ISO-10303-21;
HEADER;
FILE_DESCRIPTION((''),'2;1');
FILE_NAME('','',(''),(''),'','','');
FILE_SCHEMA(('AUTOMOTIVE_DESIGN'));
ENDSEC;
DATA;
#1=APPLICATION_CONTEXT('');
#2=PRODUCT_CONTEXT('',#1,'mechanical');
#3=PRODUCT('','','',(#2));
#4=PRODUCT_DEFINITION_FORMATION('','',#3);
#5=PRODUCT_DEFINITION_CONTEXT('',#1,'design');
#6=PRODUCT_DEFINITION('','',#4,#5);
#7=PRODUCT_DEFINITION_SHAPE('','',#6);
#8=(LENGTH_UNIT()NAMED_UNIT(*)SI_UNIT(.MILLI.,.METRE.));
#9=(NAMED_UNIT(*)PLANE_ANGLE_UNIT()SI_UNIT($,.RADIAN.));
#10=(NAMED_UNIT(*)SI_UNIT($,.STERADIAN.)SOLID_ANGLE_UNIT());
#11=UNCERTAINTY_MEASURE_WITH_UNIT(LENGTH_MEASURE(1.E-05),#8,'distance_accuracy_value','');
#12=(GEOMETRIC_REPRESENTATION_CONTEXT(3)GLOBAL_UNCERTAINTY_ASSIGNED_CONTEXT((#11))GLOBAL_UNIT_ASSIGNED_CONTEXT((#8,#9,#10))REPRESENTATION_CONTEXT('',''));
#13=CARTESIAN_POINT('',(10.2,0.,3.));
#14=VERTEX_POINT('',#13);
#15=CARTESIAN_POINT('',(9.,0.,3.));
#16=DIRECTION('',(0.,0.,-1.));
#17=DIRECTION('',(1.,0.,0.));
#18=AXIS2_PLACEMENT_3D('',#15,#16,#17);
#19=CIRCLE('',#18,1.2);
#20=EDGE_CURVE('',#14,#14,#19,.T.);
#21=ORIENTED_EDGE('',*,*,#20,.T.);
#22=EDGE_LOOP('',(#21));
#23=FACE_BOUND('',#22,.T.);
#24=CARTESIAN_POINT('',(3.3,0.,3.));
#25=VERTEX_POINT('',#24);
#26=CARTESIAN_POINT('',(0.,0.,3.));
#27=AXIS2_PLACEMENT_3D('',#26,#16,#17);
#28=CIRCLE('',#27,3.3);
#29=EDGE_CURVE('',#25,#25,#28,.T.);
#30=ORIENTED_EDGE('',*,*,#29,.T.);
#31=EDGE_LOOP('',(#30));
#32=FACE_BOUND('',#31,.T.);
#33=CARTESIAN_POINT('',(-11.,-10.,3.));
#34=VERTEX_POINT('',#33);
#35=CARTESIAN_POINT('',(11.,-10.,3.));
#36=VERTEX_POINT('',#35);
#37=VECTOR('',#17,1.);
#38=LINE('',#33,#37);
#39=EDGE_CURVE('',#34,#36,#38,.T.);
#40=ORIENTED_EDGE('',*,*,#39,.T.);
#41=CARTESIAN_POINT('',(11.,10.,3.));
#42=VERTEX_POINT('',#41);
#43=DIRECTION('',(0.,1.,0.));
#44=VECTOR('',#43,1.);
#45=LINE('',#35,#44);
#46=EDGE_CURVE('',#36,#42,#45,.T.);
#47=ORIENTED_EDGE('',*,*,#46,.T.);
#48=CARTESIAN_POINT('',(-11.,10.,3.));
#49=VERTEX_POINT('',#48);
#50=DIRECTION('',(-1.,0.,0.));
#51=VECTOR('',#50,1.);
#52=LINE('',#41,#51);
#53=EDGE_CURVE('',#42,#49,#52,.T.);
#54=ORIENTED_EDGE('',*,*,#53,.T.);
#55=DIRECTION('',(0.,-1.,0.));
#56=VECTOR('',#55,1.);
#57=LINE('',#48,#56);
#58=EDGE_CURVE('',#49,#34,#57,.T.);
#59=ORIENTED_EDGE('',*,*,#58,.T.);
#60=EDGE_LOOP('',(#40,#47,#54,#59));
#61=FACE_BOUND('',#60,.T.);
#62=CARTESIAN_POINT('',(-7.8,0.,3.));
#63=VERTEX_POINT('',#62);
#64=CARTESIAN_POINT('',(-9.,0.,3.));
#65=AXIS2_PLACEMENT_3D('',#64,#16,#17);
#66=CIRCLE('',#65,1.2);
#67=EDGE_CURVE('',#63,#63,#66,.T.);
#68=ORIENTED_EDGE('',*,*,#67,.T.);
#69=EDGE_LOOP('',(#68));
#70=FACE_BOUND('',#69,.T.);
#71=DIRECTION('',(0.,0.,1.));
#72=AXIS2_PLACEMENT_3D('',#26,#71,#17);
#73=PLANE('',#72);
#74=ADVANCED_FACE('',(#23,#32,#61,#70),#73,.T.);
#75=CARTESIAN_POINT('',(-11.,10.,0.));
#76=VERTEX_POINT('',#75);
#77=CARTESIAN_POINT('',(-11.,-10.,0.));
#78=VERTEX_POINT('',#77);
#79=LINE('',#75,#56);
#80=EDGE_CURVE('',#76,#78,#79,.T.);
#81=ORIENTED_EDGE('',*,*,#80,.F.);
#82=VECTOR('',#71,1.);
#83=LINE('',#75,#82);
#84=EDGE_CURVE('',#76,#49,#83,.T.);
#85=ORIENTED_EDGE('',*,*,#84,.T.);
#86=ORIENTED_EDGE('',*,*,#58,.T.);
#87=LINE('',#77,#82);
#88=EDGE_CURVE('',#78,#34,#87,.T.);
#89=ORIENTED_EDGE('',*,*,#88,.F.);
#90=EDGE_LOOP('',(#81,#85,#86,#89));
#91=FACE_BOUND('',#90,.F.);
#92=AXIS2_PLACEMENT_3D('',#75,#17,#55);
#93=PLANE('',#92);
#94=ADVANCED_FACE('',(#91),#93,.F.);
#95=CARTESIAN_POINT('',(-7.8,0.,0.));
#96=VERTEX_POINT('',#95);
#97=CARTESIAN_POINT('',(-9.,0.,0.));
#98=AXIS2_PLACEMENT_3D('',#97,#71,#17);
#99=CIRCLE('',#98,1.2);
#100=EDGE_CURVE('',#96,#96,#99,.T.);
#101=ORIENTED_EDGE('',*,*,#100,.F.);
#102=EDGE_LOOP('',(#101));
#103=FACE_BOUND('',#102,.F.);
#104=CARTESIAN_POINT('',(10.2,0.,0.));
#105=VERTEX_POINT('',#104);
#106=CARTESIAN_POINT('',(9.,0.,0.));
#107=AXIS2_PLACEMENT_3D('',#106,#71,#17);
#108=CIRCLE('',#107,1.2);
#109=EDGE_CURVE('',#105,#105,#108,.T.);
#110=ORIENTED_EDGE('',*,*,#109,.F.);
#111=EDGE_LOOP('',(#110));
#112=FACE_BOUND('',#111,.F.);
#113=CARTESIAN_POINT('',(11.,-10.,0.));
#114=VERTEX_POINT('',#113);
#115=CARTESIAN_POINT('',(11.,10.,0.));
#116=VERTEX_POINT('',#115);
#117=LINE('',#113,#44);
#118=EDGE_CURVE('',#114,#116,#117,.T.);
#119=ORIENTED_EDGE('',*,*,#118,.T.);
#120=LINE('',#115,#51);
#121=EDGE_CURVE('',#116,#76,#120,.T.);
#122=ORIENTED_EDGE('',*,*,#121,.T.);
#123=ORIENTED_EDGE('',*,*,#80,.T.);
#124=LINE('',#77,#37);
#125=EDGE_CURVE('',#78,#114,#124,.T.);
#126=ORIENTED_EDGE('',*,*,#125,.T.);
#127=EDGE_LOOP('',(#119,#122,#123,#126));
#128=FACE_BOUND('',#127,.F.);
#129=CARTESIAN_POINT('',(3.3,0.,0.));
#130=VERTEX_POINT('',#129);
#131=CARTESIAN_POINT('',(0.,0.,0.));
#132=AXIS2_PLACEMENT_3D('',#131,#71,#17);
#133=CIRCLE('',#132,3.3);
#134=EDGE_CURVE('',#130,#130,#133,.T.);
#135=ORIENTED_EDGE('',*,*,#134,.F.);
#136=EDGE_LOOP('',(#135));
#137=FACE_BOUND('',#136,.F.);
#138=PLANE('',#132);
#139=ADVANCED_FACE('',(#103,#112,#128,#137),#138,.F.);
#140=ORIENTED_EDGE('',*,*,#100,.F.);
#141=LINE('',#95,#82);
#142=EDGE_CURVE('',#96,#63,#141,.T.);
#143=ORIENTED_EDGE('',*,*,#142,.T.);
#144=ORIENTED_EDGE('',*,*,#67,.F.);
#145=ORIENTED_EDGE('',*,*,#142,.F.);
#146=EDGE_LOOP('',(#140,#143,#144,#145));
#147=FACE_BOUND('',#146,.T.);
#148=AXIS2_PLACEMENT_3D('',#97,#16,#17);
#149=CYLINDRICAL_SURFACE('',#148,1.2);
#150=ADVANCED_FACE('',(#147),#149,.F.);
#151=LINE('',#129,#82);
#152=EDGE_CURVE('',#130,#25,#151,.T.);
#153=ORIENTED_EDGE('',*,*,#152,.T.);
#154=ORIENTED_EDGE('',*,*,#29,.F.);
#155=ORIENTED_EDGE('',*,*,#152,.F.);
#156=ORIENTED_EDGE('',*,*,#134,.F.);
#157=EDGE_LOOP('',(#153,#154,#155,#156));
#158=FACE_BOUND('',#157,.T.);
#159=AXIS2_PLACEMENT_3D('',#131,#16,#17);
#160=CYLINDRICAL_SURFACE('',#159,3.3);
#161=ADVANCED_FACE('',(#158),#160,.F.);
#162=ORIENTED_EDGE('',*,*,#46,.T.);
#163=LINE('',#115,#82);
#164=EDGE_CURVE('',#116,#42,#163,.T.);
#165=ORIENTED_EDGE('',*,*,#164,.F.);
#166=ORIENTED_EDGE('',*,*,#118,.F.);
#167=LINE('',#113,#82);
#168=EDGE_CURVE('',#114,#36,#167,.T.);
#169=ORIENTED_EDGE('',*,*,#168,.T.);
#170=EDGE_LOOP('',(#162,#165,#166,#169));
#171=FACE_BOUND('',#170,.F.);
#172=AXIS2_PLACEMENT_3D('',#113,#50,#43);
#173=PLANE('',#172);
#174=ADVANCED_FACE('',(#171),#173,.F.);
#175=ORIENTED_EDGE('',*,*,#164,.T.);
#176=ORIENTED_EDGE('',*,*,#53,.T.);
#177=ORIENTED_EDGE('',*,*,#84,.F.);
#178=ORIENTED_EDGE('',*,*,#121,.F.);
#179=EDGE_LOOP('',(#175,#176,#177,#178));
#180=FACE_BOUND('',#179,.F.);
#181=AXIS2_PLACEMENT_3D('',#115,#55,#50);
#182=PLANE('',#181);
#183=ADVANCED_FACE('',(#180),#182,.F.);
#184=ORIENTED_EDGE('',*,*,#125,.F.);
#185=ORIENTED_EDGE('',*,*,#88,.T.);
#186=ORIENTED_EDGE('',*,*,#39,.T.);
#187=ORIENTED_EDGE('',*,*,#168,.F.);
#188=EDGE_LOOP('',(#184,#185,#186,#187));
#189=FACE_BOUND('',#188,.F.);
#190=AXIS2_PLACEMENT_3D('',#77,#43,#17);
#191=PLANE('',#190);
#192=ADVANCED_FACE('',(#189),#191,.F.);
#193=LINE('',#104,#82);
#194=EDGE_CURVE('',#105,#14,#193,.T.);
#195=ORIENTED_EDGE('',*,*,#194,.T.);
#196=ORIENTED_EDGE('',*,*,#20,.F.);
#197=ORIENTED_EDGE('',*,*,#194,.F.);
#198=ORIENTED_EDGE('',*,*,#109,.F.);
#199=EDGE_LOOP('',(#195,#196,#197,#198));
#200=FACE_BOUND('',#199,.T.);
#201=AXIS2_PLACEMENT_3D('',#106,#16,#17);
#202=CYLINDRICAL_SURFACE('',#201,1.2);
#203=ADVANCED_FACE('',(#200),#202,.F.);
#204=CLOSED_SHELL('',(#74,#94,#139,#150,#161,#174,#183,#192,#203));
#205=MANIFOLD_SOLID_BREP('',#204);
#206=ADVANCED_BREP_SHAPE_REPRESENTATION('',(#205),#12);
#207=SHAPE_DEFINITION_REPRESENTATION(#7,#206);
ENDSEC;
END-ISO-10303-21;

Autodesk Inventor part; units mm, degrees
ref_plane "YZ Plane" through (0, 0, 0) normal (1, 0, 0) x (0, 1, 0)
ref_plane "XZ Plane" through (0, 0, 0) normal (0, 1, 0) x (-1, 0, 0)
ref_plane "XY Plane" through (0, 0, 0) normal (0, 0, 1) x (1, 0, 0)
sketch "Skizze1" plane through (0, 0, 0) normal (0, 0, 1) x (1, 0, 0)
  line L0 (-11, -10) -> (11, -10)
  line L1 (11, -10) -> (11, 10)
  line L2 (11, 10) -> (-11, 10)
  line L3 (-11, 10) -> (-11, -10)
extrude "Extrusion1" add sketch "Skizze1" along normal blind 3
sketch "Skizze2" plane through (0, 0, 0) normal (0, 0, 1) x (1, 0, 0)
  circle A0 centre (0, 0) radius 3.3
extrude "Extrusion2" cut sketch "Skizze2" along normal blind 3.2
sketch "Skizze3" plane through (0, 0, 0) normal (0, 0, 1) x (1, 0, 0)
  circle A0 centre (-9, 0) radius 1.2
extrude "Extrusion3" cut sketch "Skizze3" along normal blind 3.2
sketch "Skizze4" plane through (0, 0, 0) normal (0, 0, 1) x (1, 0, 0)
  circle A0 centre (9, 0) radius 1.2
extrude "Extrusion4" cut sketch "Skizze4" along normal blind 3.2
properties part number "Taststift_Kappe"
